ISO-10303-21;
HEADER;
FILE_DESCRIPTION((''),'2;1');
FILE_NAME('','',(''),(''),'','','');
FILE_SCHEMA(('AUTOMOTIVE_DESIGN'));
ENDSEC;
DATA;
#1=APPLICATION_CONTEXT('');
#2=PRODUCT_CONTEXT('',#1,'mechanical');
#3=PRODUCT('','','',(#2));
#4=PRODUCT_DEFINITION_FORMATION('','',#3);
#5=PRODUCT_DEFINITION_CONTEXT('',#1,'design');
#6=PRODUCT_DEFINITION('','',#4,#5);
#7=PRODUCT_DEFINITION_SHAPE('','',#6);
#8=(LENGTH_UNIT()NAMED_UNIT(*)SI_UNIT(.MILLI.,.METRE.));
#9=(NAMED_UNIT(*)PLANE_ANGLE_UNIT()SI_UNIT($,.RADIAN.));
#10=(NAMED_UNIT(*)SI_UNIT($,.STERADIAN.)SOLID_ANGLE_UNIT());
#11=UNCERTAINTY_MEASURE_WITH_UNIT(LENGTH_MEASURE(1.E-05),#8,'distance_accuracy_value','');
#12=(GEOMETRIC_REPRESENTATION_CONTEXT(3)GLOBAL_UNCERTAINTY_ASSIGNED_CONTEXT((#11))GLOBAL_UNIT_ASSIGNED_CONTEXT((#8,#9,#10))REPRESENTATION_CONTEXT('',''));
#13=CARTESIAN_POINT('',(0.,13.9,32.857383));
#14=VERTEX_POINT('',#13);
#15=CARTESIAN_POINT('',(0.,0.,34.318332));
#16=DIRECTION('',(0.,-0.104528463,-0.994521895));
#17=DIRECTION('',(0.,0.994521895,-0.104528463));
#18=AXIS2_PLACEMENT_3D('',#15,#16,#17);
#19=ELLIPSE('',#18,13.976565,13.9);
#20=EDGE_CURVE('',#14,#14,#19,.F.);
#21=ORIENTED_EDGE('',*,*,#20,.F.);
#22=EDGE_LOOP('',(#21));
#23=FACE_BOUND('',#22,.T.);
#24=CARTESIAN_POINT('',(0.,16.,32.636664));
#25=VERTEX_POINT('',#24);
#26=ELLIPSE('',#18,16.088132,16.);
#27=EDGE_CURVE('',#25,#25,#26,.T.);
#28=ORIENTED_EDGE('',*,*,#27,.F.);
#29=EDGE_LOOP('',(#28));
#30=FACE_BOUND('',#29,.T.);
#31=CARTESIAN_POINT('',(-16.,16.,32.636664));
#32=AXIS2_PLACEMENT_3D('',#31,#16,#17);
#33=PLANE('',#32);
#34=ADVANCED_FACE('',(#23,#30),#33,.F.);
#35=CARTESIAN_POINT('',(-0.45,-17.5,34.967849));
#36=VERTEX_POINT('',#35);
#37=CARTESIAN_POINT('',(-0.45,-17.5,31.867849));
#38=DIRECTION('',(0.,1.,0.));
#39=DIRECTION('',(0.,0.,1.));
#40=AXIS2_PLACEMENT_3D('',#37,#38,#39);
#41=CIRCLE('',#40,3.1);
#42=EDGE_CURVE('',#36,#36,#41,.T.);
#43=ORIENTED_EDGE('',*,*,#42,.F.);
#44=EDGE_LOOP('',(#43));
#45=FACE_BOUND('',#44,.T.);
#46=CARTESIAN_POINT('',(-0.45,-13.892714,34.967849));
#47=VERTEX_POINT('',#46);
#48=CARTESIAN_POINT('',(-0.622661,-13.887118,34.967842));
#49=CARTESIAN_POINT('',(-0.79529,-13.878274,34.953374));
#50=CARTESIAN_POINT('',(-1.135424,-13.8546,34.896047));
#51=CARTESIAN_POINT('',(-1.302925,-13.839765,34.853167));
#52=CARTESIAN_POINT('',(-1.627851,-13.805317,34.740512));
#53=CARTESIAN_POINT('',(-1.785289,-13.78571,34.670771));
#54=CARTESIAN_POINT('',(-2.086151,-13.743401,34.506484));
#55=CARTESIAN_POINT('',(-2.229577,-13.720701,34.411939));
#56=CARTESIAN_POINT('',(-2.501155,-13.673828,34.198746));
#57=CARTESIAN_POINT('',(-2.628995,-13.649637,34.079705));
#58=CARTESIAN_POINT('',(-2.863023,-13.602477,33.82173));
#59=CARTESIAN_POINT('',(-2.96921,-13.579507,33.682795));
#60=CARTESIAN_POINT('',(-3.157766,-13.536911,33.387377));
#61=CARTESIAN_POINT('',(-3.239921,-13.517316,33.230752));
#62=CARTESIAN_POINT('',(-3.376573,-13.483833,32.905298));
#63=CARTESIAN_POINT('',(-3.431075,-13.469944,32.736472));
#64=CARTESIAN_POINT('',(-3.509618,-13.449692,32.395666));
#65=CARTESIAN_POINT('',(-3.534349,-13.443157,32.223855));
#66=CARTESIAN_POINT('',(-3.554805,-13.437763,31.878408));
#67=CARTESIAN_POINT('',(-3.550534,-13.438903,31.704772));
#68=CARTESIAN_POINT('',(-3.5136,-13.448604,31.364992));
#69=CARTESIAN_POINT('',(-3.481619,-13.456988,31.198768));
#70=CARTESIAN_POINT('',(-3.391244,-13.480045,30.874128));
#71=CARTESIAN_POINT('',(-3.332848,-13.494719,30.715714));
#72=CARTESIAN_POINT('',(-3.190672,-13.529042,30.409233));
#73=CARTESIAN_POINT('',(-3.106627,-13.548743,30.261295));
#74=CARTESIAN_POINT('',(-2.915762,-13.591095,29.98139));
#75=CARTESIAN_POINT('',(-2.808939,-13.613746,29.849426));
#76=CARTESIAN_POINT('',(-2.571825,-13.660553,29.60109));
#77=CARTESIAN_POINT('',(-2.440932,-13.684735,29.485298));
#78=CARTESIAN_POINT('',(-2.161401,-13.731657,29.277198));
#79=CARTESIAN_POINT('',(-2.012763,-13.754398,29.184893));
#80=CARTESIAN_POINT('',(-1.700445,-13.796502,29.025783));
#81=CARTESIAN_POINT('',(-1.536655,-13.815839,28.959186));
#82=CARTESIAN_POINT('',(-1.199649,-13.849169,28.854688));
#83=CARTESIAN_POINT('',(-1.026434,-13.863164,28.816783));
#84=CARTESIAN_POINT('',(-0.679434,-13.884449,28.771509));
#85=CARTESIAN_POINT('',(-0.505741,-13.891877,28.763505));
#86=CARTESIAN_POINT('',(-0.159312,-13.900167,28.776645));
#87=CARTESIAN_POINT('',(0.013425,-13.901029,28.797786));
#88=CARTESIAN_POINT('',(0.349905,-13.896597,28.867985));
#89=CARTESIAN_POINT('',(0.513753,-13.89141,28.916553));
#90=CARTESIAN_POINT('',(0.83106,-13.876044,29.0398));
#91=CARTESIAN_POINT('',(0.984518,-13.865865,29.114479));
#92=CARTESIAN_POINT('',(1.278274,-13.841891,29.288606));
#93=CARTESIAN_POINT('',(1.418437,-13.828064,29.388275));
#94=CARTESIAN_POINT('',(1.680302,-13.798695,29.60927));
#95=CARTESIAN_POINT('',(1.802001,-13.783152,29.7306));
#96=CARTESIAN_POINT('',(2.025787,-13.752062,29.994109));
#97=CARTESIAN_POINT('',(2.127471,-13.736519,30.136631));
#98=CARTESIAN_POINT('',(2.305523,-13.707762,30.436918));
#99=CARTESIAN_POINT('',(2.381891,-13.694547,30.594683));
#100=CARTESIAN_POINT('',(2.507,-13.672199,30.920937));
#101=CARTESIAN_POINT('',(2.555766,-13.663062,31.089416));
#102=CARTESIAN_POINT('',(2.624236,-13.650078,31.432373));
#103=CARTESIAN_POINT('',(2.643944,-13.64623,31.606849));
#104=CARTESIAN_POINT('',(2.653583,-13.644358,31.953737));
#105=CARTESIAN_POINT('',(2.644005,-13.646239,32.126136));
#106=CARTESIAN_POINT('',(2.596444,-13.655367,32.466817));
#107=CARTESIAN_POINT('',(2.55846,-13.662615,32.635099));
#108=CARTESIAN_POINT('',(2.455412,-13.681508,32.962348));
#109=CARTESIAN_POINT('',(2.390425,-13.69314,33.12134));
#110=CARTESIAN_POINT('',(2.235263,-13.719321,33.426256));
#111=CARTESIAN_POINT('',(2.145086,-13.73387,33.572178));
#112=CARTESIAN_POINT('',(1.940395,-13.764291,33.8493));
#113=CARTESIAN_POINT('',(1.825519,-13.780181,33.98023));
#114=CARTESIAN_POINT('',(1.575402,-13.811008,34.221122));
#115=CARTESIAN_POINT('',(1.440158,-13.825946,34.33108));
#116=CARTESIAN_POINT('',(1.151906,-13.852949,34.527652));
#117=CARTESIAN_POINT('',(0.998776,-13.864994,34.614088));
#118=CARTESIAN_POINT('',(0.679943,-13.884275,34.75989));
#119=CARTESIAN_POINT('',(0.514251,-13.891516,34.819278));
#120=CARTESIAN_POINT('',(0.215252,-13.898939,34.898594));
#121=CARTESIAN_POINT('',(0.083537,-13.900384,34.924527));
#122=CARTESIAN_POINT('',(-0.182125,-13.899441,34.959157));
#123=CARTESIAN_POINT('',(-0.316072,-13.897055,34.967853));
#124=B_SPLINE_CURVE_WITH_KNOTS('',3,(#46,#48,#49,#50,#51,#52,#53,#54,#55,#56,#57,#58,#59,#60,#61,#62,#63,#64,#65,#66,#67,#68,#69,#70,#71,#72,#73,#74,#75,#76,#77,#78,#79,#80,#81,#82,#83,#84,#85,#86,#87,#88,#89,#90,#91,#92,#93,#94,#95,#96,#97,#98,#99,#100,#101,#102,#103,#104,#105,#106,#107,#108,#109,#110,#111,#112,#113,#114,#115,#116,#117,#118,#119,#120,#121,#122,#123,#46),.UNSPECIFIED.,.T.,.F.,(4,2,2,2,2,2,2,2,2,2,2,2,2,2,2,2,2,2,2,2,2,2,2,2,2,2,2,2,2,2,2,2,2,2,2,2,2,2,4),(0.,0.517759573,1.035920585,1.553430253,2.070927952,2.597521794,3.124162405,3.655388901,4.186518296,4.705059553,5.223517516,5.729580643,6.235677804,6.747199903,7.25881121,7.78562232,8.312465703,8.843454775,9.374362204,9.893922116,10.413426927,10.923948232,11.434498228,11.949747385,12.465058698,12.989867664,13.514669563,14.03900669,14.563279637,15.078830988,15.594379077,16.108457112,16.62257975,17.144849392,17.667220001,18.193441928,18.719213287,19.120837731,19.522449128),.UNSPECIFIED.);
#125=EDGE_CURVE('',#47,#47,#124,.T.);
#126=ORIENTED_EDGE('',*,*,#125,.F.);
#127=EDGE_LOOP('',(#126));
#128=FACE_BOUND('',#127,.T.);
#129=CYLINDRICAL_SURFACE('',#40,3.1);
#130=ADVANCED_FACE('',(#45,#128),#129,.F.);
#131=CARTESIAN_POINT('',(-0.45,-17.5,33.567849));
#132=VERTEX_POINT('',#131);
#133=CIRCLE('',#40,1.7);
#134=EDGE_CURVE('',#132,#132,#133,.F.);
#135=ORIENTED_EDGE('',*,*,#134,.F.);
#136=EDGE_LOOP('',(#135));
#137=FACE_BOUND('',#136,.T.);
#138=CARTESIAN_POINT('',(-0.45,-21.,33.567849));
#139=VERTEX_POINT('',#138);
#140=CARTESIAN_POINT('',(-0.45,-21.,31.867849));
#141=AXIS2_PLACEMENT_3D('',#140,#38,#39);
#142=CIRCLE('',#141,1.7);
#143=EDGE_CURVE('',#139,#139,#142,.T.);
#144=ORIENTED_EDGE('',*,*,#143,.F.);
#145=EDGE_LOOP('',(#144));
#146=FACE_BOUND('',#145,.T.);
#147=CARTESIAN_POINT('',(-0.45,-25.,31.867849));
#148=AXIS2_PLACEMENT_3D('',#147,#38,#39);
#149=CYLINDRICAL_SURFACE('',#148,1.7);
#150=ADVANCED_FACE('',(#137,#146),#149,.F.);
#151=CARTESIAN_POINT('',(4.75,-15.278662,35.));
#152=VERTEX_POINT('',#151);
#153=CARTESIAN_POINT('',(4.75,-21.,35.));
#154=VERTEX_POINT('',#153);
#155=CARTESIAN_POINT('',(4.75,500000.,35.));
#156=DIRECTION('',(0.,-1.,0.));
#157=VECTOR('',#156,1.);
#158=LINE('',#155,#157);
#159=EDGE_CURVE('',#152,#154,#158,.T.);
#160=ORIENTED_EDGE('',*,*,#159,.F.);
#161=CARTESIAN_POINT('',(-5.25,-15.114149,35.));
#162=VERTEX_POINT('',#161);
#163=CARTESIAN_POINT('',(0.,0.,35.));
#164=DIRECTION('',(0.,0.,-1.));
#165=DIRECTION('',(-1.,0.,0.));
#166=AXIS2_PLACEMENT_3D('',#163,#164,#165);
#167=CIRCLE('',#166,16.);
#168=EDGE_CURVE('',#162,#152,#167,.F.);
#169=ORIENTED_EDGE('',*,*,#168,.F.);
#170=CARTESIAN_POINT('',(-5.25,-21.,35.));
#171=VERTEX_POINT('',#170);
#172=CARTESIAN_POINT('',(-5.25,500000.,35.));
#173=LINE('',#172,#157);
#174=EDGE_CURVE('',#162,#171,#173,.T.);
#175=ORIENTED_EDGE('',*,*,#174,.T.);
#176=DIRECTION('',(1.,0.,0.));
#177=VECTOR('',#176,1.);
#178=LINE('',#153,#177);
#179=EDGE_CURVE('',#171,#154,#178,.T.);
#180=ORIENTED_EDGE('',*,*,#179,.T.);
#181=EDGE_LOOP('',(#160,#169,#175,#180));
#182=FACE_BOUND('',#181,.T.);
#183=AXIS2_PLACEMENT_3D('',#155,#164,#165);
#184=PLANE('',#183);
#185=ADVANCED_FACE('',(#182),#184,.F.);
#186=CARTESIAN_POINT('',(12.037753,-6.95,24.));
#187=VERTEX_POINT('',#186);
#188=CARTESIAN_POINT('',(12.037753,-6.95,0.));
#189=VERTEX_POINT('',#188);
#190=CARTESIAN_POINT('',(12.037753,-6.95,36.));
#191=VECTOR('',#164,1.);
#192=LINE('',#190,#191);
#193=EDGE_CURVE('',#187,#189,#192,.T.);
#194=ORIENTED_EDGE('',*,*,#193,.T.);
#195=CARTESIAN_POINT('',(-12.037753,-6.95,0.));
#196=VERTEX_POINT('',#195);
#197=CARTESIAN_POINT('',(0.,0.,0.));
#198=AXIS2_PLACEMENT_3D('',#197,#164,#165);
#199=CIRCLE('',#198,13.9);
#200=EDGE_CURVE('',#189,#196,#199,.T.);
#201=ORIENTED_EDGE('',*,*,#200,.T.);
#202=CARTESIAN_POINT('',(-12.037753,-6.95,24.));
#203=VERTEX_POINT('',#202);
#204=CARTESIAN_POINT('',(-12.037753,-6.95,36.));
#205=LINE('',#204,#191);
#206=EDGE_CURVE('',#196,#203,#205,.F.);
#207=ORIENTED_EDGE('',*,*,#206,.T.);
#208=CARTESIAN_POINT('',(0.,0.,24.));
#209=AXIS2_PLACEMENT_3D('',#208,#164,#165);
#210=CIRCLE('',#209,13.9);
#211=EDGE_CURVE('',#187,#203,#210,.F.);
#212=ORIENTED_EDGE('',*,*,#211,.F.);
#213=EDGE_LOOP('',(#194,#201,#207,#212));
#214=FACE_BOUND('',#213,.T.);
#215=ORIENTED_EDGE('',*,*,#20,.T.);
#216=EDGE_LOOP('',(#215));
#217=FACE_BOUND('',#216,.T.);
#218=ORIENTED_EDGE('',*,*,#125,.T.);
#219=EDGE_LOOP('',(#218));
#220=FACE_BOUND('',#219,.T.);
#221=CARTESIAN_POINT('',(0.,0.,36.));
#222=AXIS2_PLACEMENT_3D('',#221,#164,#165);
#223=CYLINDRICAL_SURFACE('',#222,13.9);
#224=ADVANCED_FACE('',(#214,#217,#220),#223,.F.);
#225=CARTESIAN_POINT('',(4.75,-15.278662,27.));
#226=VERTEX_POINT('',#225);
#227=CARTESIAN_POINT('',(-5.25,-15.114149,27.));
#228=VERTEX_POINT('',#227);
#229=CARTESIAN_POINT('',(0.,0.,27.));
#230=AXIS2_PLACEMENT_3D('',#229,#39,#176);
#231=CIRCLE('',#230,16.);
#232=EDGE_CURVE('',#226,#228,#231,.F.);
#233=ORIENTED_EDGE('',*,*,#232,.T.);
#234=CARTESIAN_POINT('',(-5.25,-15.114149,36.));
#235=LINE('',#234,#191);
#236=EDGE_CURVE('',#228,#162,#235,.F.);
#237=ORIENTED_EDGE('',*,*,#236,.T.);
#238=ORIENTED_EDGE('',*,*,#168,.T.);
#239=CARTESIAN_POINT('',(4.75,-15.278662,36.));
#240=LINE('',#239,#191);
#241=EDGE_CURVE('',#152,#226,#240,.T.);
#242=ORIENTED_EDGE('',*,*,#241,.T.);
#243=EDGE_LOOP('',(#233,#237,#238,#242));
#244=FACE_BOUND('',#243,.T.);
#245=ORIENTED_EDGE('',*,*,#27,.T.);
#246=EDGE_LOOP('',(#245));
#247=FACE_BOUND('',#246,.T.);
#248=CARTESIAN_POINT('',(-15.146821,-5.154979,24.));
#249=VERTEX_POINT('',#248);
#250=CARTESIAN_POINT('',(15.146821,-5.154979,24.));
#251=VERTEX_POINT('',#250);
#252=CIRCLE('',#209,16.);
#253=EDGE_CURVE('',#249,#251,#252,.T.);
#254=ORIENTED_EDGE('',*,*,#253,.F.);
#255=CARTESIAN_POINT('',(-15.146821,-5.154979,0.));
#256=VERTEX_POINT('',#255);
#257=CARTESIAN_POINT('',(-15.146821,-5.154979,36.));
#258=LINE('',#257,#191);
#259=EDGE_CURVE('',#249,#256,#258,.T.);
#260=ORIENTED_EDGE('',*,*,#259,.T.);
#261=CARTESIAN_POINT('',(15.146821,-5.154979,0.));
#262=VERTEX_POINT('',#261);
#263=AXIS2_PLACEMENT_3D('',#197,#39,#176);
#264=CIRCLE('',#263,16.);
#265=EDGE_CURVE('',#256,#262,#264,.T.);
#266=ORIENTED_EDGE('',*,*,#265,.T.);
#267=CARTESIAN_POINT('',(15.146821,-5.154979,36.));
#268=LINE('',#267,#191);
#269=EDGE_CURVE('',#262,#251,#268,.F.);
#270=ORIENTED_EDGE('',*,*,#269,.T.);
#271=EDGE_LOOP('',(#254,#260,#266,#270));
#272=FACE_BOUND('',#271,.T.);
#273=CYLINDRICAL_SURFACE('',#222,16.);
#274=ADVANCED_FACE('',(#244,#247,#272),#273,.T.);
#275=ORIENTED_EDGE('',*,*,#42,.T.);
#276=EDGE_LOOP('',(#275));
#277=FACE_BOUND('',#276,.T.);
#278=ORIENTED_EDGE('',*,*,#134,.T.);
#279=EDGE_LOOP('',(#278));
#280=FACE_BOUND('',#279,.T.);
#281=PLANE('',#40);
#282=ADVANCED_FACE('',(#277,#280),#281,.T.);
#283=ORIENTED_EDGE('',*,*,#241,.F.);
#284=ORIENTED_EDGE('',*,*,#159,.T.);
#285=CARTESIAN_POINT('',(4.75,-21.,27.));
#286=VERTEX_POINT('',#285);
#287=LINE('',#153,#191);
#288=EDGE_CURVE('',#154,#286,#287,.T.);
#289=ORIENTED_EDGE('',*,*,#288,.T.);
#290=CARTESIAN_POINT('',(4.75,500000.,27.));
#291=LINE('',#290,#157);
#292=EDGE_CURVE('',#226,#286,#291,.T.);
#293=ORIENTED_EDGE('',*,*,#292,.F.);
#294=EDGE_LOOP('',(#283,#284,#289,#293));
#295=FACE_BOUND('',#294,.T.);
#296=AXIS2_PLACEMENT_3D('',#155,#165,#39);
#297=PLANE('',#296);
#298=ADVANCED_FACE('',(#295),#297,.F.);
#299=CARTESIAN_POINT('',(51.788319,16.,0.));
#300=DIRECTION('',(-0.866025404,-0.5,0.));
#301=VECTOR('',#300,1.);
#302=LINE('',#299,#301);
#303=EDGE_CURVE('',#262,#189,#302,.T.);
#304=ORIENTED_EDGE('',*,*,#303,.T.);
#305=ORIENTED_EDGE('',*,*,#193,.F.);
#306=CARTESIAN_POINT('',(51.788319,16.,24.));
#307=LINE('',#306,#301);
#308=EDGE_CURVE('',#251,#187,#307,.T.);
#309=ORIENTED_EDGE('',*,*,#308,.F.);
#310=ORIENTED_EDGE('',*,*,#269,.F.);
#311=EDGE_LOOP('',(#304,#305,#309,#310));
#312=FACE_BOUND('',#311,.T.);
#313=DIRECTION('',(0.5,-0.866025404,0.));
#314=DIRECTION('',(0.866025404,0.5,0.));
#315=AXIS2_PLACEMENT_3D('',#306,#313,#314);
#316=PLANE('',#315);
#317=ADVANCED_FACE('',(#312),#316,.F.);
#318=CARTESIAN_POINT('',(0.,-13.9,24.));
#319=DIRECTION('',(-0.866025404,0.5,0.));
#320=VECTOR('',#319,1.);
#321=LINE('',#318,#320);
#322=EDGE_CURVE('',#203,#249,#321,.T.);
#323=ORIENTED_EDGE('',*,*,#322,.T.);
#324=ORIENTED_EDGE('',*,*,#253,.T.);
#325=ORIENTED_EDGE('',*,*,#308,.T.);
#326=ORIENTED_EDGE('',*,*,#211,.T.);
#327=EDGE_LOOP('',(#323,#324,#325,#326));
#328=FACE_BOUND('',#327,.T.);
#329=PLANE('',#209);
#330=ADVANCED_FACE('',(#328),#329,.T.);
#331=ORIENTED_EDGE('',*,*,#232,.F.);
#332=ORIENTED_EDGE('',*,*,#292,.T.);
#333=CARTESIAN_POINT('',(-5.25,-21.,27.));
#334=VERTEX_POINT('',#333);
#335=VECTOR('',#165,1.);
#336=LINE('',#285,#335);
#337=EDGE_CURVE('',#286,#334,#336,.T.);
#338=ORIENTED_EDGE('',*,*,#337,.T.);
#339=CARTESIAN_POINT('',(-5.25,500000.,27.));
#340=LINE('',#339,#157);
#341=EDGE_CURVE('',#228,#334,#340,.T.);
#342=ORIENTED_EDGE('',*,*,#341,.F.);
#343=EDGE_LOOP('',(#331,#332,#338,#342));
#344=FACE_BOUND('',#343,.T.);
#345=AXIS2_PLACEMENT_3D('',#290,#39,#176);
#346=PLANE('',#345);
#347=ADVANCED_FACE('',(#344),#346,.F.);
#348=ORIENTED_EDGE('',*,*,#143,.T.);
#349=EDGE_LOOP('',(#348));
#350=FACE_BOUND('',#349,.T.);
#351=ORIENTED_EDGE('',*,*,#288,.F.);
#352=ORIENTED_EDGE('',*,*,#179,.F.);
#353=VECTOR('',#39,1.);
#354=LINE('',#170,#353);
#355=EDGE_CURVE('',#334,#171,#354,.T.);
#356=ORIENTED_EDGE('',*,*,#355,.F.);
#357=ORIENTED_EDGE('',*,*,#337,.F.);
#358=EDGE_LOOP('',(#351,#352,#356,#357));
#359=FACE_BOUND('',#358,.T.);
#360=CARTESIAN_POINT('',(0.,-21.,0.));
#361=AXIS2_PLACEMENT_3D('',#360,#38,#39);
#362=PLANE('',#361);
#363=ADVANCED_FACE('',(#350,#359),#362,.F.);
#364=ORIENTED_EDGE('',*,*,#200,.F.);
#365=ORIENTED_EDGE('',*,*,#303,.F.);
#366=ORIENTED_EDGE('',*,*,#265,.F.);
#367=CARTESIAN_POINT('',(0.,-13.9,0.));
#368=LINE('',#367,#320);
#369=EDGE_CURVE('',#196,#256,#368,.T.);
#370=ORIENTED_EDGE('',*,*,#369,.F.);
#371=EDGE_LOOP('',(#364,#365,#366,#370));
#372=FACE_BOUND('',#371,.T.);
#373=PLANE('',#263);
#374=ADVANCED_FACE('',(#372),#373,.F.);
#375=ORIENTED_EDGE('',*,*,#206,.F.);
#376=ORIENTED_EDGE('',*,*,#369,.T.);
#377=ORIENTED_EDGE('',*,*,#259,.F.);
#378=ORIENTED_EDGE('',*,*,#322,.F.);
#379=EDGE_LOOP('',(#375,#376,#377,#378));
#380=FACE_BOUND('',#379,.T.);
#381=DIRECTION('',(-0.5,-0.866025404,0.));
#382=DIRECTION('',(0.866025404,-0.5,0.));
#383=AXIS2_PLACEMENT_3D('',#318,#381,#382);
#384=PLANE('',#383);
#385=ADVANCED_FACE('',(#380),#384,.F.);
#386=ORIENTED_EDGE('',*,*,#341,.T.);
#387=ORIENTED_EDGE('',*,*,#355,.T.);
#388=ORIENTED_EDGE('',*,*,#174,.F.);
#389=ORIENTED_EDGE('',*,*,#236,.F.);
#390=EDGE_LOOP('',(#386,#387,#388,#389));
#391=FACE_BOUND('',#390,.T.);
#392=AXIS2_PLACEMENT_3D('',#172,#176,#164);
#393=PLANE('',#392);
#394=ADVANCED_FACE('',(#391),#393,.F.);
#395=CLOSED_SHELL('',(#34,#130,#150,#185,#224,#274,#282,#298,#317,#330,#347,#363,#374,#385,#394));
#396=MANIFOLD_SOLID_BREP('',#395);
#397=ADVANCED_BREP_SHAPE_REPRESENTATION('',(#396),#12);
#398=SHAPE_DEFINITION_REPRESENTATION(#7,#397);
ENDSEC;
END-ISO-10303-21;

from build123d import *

# Parameters (mm, degrees)
SKETCH1_R                = 16
BOSS_EXTRUDE1_DEPTH      = 36
SKETCH4_R                = 13.9
CUT_EXTRUDE1_DEPTH       = 43.520583251
CUT_EXTRUDE3_DEPTH       = 43.520583251
CUT_EXTRUDE3_DEPTH_BACK  = 43.520583251
BOSS_EXTRUDE2_REACH      = 56.046
BOSS_EXTRUDE2_END_RADIUS = 16
SKETCH8_W                = 10
SKETCH8_H                = 8
SKETCH7_R                = 1.7
CUT_EXTRUDE4_DEPTH       = 25
SKETCH10_R               = 3.1
CUT_EXTRUDE6_DEPTH       = 17.5
CUT_EXTRUDE7_DEPTH       = 24


with BuildPart() as part:
    # Sketch1 → Boss-Extrude1 (new body)
    with BuildSketch(Plane.XY):
        Circle(SKETCH1_R)
    extrude(amount=BOSS_EXTRUDE1_DEPTH)

    # Sketch4 → Cut-Extrude1 (cut, through all)
    with BuildSketch(Plane(origin=(0, 0, 0), x_dir=(-1, 0, 0), z_dir=(0, 0, -1))):
        Circle(SKETCH4_R)
    extrude(amount=-CUT_EXTRUDE1_DEPTH, mode=Mode.SUBTRACT)

    # Sketch6 → Cut-Extrude3 (cut, two sides: drawn at the far end of the back side and taken through both)
    with BuildSketch(Plane(origin=(0, 0, 0), x_dir=(0, 0, -1), z_dir=(1, 0, 0)).offset(-CUT_EXTRUDE3_DEPTH_BACK)):
        Polygon((-36, 16), (-32.636664471, 16), (-36, -16), align=None)
    extrude(amount=CUT_EXTRUDE3_DEPTH + CUT_EXTRUDE3_DEPTH_BACK, mode=Mode.SUBTRACT)

    # Boss-Extrude2: up to this cylinder (the profile starts outside it)
    boss_extrude2_end = Plane(origin=(0, 0, 31), z_dir=(0, 0, -1)) * Cylinder(BOSS_EXTRUDE2_END_RADIUS, 145.092, mode=Mode.PRIVATE)
    # Sketch8 → Boss-Extrude2 (add, up to the surface)
    with BuildSketch(Plane(origin=(0, -21, 0), x_dir=(1, 0, 0), z_dir=(0, 1, 0)), mode=Mode.PRIVATE) as boss_extrude2_sk1:
        with Locations((-0.25, -31)):
            Rectangle(SKETCH8_W, SKETCH8_H)
    boss_extrude2_tool1 = extrude(boss_extrude2_sk1.sketch, amount=BOSS_EXTRUDE2_REACH, mode=Mode.PRIVATE) - boss_extrude2_end
    add(boss_extrude2_tool1.solids().sort_by_distance((-0.25, -21, 31))[0])

    # Sketch7 → Cut-Extrude4 (cut)
    with BuildSketch(Plane(origin=(0, 0, 0), x_dir=(1, 0, 0), z_dir=(0, 1, 0))):
        with Locations(Location((-0.45, -31.867848556, 0), (0, 0, 270))):
            Circle(SKETCH7_R)
    extrude(amount=-CUT_EXTRUDE4_DEPTH, mode=Mode.SUBTRACT)

    # Sketch10 → Cut-Extrude6 (cut)
    with BuildSketch(Plane(origin=(0, 0, 0), x_dir=(1, 0, 0), z_dir=(0, 1, 0))):
        with Locations(Location((-0.45, -31.867848556, 0), (0, 0, 270))):
            Circle(SKETCH10_R)
    extrude(amount=-CUT_EXTRUDE6_DEPTH, mode=Mode.SUBTRACT)

    # Sketch11 → Cut-Extrude7 (cut)
    with BuildSketch(Plane(origin=(0, 0, 0), x_dir=(-1, 0, 0), z_dir=(0, 0, -1))):
        Polygon((-51.788319146, 16), (0, -13.9), (51.788319146, 16), align=None)
    extrude(amount=-CUT_EXTRUDE7_DEPTH, mode=Mode.SUBTRACT)


solid = part.part
